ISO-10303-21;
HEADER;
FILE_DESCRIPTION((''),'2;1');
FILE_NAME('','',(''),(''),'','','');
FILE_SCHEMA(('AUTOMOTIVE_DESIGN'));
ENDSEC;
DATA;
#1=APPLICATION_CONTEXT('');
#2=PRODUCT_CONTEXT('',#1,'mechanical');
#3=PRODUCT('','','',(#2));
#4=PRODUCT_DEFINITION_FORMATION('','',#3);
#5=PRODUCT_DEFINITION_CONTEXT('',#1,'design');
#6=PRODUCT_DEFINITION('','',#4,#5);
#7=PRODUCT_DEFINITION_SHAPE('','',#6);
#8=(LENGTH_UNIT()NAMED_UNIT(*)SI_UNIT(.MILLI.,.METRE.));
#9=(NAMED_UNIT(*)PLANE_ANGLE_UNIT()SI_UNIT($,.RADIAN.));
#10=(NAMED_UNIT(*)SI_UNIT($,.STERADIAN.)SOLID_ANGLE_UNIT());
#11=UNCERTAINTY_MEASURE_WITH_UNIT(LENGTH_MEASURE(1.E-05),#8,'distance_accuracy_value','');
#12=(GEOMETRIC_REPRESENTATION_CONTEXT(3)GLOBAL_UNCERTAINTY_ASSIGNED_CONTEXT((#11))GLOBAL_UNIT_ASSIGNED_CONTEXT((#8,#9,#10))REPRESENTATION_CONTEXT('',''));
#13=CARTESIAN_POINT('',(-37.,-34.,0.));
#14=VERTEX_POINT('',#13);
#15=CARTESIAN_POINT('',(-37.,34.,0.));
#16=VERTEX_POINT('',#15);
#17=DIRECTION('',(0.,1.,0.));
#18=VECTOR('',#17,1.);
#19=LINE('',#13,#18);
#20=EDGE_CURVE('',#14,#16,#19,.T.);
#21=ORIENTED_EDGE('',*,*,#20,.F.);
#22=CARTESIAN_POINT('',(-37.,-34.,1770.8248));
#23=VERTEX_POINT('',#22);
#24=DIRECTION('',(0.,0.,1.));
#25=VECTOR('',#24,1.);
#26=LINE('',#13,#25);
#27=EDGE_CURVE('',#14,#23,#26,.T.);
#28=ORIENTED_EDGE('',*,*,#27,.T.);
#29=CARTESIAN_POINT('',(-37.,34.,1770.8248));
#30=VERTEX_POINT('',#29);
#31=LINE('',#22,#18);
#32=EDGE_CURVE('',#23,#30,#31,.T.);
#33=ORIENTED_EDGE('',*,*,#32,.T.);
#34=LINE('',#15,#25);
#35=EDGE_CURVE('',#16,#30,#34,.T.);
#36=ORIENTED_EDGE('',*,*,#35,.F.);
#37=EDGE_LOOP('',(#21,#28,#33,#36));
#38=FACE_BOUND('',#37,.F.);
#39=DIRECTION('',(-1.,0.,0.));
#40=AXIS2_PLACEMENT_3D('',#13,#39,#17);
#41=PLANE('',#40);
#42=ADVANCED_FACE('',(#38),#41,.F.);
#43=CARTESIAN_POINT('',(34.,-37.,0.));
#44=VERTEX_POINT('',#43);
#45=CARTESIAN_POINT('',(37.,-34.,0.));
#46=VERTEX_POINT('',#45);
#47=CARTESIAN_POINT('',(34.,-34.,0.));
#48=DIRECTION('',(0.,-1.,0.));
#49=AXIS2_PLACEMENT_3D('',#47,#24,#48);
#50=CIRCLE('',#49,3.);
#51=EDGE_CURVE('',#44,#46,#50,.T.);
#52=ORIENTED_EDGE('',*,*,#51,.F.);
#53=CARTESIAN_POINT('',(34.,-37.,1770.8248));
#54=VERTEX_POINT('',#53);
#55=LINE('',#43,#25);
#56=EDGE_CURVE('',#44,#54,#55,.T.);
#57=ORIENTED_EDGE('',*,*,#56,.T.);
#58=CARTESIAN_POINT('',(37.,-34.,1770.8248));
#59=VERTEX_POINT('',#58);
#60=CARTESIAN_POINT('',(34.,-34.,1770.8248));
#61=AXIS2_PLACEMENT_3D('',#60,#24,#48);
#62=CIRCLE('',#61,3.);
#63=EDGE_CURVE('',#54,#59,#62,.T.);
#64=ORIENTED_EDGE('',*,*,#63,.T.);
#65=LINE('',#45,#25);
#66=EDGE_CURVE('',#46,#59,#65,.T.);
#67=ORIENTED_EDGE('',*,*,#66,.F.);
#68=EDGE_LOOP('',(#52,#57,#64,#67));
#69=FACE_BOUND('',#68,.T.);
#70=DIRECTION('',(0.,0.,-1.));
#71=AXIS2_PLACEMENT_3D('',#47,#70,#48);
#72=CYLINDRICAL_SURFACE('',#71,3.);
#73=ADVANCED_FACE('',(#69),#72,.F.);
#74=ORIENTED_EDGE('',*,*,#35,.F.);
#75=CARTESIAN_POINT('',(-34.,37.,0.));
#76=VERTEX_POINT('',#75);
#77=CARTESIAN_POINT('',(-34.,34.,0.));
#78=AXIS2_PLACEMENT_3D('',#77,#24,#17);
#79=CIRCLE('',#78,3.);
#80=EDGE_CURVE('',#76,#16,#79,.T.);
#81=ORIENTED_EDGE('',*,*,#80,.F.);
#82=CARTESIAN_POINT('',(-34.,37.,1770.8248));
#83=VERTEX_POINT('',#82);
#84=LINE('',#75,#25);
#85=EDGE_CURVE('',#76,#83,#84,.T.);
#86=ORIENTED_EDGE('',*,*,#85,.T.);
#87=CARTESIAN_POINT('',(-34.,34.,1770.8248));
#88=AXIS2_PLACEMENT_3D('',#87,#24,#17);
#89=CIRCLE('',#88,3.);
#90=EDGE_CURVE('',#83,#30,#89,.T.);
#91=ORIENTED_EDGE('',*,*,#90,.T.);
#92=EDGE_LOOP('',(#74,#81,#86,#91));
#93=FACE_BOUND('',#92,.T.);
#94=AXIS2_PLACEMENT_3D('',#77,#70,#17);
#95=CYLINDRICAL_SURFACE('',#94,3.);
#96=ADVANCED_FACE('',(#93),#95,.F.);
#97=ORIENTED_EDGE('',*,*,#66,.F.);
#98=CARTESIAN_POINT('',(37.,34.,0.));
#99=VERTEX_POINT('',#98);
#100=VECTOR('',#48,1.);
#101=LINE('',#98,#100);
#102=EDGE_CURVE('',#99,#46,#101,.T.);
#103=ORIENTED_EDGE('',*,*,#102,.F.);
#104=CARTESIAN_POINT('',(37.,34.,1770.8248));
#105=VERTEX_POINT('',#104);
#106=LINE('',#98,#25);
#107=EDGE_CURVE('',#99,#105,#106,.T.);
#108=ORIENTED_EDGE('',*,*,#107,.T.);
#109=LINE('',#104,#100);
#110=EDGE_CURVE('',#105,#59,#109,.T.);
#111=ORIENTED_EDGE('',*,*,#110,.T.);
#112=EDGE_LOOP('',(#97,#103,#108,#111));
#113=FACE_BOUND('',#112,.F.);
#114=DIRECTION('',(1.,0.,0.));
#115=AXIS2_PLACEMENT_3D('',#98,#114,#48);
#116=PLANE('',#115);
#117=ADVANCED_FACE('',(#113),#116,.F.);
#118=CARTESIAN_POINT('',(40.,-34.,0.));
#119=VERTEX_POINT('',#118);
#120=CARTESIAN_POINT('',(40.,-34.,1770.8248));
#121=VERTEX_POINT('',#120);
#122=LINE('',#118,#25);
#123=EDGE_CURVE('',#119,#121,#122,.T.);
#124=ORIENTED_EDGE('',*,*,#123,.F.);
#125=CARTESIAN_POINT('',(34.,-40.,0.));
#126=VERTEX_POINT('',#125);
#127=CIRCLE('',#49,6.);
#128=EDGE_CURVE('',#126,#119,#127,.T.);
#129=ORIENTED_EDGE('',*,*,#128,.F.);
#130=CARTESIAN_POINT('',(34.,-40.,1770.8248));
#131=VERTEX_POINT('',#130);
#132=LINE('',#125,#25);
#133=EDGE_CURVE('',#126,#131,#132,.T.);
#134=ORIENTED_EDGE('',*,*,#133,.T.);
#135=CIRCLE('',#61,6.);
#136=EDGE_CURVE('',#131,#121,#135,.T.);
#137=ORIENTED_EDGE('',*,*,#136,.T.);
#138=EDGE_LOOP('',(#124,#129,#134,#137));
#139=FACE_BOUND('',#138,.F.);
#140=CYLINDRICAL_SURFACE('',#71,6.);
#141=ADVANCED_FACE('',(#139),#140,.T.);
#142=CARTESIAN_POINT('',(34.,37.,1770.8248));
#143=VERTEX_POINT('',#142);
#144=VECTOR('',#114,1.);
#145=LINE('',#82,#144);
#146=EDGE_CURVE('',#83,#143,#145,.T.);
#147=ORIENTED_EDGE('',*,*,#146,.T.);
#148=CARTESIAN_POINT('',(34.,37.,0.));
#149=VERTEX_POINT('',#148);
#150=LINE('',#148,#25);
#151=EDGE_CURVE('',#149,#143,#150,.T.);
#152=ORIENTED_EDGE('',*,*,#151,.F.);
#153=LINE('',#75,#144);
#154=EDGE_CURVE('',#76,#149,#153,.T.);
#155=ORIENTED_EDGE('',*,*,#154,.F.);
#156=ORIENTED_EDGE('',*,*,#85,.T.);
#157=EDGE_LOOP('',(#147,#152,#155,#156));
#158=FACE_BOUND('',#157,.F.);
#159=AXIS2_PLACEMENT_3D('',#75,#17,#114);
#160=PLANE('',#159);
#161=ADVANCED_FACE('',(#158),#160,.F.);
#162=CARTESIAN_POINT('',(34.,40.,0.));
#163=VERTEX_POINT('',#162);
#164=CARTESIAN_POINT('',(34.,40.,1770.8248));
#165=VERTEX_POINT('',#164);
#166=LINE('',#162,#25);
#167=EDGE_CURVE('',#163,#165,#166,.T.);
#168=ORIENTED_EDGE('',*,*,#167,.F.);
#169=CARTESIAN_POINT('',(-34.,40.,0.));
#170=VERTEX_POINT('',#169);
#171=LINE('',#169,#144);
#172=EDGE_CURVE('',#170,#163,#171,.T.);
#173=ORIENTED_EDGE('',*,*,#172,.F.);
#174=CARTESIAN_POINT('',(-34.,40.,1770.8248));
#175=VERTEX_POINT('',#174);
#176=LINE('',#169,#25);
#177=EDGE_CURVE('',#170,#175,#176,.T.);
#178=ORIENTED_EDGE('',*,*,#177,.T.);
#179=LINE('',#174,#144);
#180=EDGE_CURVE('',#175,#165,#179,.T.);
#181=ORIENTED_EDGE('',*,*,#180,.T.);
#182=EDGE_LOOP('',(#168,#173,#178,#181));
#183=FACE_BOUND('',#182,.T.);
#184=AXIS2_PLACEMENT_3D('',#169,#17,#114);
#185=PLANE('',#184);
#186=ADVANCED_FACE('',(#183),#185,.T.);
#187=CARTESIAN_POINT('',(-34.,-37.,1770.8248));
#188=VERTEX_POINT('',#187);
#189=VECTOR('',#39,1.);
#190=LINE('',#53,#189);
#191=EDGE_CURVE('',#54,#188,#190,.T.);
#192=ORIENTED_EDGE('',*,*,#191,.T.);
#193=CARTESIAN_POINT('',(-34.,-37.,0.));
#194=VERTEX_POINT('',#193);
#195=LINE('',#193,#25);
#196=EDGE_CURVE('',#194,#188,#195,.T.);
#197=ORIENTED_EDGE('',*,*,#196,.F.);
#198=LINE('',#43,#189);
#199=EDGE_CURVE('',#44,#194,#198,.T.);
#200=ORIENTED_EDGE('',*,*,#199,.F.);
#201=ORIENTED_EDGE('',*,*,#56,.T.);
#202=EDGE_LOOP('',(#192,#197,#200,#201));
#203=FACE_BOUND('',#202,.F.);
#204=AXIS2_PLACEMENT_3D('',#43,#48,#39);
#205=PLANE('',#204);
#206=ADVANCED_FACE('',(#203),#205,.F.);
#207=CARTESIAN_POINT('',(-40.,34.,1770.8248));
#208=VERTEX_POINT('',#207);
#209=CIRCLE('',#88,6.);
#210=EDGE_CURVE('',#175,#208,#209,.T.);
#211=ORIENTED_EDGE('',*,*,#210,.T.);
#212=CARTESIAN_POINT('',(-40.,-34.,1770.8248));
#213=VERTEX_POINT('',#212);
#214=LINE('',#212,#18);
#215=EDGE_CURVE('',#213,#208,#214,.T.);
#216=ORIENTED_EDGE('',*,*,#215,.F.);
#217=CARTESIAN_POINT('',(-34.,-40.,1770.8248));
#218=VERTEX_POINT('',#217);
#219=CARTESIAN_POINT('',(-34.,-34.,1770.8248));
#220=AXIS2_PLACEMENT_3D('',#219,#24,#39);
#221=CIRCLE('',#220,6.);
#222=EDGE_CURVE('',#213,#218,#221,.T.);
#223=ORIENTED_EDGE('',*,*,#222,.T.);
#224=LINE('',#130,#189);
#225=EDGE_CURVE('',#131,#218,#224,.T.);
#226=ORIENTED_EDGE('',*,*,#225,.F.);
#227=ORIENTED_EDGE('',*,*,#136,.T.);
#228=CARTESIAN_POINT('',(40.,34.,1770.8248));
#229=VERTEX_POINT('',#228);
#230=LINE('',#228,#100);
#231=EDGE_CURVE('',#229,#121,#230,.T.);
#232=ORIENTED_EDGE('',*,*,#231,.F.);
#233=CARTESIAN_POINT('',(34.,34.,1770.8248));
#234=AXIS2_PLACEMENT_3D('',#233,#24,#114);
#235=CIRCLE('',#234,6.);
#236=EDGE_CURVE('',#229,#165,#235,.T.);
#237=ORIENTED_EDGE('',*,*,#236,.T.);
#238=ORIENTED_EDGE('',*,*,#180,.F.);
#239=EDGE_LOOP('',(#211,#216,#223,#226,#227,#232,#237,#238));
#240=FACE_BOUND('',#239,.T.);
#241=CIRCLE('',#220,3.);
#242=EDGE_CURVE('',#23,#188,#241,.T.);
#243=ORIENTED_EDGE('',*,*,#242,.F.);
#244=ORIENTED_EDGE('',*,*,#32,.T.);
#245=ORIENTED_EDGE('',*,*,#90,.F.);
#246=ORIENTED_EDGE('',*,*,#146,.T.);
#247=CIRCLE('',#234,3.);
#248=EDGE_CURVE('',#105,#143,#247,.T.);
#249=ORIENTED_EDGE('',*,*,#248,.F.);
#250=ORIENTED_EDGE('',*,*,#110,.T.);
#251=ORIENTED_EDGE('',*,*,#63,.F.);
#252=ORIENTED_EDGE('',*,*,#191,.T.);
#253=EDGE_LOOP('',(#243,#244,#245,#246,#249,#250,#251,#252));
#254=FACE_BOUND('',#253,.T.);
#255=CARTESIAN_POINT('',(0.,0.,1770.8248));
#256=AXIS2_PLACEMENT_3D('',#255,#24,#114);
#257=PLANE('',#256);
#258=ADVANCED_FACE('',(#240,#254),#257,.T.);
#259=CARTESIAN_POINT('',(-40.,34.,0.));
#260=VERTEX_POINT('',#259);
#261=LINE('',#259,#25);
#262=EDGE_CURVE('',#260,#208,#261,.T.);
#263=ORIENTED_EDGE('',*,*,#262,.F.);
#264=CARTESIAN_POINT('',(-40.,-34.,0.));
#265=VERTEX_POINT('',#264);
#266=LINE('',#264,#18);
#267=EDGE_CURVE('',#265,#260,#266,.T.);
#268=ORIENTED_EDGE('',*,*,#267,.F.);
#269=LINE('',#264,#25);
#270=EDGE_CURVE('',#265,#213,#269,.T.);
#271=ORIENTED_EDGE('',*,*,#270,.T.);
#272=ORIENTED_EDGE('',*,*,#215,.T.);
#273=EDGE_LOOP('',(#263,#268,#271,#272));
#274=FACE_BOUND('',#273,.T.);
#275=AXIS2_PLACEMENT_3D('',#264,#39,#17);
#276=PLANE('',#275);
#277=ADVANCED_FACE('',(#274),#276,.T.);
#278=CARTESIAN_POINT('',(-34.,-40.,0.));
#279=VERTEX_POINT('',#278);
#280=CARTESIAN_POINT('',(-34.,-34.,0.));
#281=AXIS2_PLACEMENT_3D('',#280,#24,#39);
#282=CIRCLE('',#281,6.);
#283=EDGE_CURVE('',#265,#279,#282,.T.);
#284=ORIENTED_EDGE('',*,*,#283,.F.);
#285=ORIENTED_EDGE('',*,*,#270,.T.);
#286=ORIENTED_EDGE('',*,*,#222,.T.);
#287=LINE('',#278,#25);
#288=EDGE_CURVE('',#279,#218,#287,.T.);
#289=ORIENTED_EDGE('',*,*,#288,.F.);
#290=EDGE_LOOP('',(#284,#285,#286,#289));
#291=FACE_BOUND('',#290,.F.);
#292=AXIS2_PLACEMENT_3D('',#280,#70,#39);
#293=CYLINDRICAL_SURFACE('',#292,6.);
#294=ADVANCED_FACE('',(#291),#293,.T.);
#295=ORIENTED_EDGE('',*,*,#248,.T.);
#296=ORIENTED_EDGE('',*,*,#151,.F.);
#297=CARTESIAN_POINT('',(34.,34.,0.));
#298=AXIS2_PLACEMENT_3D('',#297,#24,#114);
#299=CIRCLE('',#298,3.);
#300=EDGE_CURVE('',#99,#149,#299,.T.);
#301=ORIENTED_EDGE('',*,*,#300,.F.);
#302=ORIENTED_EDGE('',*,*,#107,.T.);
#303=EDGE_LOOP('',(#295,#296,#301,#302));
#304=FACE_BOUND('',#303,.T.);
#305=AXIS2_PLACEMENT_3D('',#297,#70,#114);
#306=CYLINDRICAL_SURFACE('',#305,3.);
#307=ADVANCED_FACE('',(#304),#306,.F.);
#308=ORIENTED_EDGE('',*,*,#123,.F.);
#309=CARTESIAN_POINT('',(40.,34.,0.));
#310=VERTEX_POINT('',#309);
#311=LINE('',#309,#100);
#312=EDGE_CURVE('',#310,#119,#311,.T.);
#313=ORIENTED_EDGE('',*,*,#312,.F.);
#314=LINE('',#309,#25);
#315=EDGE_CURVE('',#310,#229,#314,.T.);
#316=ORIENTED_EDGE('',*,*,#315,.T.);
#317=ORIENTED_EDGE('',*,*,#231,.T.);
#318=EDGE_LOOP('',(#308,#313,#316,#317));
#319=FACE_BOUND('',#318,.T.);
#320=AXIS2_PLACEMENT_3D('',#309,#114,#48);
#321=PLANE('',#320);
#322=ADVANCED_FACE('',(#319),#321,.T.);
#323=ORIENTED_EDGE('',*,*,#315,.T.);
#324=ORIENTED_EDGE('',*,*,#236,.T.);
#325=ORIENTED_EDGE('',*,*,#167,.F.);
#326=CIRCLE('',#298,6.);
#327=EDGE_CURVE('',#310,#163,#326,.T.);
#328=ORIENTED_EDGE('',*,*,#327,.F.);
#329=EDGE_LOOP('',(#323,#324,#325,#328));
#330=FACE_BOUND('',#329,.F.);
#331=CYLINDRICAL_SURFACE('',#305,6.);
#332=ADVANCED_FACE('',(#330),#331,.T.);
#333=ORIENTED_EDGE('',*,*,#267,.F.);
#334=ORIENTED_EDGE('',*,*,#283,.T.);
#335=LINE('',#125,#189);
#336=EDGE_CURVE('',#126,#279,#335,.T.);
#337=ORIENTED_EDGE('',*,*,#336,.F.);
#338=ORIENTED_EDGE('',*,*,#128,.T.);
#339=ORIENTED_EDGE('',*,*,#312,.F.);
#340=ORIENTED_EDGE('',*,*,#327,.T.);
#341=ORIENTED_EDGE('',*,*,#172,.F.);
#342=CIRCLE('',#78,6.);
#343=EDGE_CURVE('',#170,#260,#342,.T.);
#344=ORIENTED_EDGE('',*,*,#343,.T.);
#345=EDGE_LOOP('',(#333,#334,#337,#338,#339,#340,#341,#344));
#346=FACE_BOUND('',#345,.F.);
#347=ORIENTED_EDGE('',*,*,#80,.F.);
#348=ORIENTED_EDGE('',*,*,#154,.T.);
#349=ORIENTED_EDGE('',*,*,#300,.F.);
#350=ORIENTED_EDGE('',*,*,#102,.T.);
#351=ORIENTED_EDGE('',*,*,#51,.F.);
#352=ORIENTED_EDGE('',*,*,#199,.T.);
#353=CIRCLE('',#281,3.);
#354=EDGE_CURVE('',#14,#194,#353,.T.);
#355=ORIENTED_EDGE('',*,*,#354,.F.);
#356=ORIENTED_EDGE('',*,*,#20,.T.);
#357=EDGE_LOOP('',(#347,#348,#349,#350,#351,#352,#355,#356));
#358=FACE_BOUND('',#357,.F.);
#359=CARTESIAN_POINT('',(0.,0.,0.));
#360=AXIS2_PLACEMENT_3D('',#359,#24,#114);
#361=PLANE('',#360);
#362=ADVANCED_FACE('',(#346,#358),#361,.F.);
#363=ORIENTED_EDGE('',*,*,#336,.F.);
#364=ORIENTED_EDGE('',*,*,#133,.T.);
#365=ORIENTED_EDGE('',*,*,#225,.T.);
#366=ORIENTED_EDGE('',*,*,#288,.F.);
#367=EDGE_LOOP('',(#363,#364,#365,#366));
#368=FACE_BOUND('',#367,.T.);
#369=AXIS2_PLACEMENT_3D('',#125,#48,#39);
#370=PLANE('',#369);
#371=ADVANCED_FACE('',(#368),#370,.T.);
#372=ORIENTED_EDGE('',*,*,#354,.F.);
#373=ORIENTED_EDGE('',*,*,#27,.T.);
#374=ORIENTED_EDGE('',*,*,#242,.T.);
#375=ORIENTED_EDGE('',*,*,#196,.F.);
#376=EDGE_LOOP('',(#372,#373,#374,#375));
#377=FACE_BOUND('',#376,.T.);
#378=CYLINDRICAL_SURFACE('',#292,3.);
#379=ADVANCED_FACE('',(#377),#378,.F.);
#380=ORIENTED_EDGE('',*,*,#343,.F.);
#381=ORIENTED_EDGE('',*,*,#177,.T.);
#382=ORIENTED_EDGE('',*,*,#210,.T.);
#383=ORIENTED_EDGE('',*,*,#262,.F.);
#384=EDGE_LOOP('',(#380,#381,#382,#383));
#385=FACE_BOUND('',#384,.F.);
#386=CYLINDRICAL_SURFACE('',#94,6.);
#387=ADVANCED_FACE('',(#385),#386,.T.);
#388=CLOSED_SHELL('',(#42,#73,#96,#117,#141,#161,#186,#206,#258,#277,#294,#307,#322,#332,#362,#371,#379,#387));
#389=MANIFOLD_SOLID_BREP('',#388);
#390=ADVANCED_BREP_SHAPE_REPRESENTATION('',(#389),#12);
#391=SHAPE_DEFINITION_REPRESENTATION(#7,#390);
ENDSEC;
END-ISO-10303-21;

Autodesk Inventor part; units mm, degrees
ref_plane "YZ Plane" through (0, 0, 0) normal (1, 0, 0) x (0, 1, 0)
ref_plane "Start Plane" through (0, 0, 0) normal (0, 0, 1) x (1, 0, 0)
ref_plane "End Plane" through (0, 0, 1770.8248) normal (0, 0, 1) x (1, 0, 0)
sketch "Sketch" plane through (0, 0, 0) normal (0, 0, 1) x (1, 0, 0)
  line L0 (-40, -34) -> (-40, 34)
  line L1 (-34, 40) -> (34, 40)
  line L2 (40, 34) -> (40, -34)
  line L3 (34, -40) -> (-34, -40)
  arc A0 (-40, -34) -> (-34, -40) centre (-34, -34) ccw
  arc A1 (40, 34) -> (34, 40) centre (34, 34) ccw
  arc A2 (-34, 40) -> (-40, 34) centre (-34, 34) ccw
  arc A3 (34, -40) -> (40, -34) centre (34, -34) ccw
  arc A4 (-34, 37) -> (-37, 34) centre (-34, 34) ccw
  line L4 (-34, 37) -> (34, 37)
  arc A5 (37, 34) -> (34, 37) centre (34, 34) ccw
  line L5 (37, 34) -> (37, -34)
  arc A6 (34, -37) -> (37, -34) centre (34, -34) ccw
  line L6 (34, -37) -> (-34, -37)
  arc A7 (-37, -34) -> (-34, -37) centre (-34, -34) ccw
  line L7 (-37, -34) -> (-37, 34)
  line L8 (0, 57.7397) -> (0, -57.7397) construction
  line L9 (-57.7397, 0) -> (57.7397, 0) construction
  dimension "d7" = 6
  dimension "d9" = 80
  dimension "d11" = 80
  dimension "d12" = 3
  dimension "d15" = 40
  dimension "d16" = 40
extrude "Body" add sketch "Sketch" along normal up to surface (1770.8248 mm away) from surface at 0
sketch "Sketch3" plane through (0, 0, 0) normal (0, 0, 1) x (1, 0, 0)
  line L0 (0, 0) -> (10, 0)
ref_plane "Work Plane3" through (0, 0, 0) normal (0, -1, 0) x (1, 0, 0)
sketch "Sketch4" plane through (0, 0, 0) normal (0, -1, 0) x (1, 0, 0)
  line L0 (-2, 0) -> (12, 0) projected
  line L1 (-2, 1770.8248) -> (12, 1770.8248) projected
  dimension "d18" = 1770.8248
equation "\"d7\" = G_IR"
equation "\"d9\" = G_W"
equation "\"d11\" = G_H"
equation "\"d12\" = G_T"
equation "\"d15\" = 0.5 * d9"
equation "\"d16\" = 0.5 * d11"
equation "\"d3\" = G_L"
equation "\"G_W\" = 80"
equation "\"G_H\" = 80"
equation "\"G_T\" = 3"
equation "\"G_IR\" = 6"
equation "\"G_L\" = d18"
equation "\"G_OFFSET_START\" = 0"
equation "\"G_OFFSET_END\" = 0"
equation "\"d14\" = G_OFFSET_END + B_L"
equation "\"B_L\" = 1770.82478"
properties part number "ISO 10799-2 - 80x80x3 - 1770,82" material "Steel, Mild"
